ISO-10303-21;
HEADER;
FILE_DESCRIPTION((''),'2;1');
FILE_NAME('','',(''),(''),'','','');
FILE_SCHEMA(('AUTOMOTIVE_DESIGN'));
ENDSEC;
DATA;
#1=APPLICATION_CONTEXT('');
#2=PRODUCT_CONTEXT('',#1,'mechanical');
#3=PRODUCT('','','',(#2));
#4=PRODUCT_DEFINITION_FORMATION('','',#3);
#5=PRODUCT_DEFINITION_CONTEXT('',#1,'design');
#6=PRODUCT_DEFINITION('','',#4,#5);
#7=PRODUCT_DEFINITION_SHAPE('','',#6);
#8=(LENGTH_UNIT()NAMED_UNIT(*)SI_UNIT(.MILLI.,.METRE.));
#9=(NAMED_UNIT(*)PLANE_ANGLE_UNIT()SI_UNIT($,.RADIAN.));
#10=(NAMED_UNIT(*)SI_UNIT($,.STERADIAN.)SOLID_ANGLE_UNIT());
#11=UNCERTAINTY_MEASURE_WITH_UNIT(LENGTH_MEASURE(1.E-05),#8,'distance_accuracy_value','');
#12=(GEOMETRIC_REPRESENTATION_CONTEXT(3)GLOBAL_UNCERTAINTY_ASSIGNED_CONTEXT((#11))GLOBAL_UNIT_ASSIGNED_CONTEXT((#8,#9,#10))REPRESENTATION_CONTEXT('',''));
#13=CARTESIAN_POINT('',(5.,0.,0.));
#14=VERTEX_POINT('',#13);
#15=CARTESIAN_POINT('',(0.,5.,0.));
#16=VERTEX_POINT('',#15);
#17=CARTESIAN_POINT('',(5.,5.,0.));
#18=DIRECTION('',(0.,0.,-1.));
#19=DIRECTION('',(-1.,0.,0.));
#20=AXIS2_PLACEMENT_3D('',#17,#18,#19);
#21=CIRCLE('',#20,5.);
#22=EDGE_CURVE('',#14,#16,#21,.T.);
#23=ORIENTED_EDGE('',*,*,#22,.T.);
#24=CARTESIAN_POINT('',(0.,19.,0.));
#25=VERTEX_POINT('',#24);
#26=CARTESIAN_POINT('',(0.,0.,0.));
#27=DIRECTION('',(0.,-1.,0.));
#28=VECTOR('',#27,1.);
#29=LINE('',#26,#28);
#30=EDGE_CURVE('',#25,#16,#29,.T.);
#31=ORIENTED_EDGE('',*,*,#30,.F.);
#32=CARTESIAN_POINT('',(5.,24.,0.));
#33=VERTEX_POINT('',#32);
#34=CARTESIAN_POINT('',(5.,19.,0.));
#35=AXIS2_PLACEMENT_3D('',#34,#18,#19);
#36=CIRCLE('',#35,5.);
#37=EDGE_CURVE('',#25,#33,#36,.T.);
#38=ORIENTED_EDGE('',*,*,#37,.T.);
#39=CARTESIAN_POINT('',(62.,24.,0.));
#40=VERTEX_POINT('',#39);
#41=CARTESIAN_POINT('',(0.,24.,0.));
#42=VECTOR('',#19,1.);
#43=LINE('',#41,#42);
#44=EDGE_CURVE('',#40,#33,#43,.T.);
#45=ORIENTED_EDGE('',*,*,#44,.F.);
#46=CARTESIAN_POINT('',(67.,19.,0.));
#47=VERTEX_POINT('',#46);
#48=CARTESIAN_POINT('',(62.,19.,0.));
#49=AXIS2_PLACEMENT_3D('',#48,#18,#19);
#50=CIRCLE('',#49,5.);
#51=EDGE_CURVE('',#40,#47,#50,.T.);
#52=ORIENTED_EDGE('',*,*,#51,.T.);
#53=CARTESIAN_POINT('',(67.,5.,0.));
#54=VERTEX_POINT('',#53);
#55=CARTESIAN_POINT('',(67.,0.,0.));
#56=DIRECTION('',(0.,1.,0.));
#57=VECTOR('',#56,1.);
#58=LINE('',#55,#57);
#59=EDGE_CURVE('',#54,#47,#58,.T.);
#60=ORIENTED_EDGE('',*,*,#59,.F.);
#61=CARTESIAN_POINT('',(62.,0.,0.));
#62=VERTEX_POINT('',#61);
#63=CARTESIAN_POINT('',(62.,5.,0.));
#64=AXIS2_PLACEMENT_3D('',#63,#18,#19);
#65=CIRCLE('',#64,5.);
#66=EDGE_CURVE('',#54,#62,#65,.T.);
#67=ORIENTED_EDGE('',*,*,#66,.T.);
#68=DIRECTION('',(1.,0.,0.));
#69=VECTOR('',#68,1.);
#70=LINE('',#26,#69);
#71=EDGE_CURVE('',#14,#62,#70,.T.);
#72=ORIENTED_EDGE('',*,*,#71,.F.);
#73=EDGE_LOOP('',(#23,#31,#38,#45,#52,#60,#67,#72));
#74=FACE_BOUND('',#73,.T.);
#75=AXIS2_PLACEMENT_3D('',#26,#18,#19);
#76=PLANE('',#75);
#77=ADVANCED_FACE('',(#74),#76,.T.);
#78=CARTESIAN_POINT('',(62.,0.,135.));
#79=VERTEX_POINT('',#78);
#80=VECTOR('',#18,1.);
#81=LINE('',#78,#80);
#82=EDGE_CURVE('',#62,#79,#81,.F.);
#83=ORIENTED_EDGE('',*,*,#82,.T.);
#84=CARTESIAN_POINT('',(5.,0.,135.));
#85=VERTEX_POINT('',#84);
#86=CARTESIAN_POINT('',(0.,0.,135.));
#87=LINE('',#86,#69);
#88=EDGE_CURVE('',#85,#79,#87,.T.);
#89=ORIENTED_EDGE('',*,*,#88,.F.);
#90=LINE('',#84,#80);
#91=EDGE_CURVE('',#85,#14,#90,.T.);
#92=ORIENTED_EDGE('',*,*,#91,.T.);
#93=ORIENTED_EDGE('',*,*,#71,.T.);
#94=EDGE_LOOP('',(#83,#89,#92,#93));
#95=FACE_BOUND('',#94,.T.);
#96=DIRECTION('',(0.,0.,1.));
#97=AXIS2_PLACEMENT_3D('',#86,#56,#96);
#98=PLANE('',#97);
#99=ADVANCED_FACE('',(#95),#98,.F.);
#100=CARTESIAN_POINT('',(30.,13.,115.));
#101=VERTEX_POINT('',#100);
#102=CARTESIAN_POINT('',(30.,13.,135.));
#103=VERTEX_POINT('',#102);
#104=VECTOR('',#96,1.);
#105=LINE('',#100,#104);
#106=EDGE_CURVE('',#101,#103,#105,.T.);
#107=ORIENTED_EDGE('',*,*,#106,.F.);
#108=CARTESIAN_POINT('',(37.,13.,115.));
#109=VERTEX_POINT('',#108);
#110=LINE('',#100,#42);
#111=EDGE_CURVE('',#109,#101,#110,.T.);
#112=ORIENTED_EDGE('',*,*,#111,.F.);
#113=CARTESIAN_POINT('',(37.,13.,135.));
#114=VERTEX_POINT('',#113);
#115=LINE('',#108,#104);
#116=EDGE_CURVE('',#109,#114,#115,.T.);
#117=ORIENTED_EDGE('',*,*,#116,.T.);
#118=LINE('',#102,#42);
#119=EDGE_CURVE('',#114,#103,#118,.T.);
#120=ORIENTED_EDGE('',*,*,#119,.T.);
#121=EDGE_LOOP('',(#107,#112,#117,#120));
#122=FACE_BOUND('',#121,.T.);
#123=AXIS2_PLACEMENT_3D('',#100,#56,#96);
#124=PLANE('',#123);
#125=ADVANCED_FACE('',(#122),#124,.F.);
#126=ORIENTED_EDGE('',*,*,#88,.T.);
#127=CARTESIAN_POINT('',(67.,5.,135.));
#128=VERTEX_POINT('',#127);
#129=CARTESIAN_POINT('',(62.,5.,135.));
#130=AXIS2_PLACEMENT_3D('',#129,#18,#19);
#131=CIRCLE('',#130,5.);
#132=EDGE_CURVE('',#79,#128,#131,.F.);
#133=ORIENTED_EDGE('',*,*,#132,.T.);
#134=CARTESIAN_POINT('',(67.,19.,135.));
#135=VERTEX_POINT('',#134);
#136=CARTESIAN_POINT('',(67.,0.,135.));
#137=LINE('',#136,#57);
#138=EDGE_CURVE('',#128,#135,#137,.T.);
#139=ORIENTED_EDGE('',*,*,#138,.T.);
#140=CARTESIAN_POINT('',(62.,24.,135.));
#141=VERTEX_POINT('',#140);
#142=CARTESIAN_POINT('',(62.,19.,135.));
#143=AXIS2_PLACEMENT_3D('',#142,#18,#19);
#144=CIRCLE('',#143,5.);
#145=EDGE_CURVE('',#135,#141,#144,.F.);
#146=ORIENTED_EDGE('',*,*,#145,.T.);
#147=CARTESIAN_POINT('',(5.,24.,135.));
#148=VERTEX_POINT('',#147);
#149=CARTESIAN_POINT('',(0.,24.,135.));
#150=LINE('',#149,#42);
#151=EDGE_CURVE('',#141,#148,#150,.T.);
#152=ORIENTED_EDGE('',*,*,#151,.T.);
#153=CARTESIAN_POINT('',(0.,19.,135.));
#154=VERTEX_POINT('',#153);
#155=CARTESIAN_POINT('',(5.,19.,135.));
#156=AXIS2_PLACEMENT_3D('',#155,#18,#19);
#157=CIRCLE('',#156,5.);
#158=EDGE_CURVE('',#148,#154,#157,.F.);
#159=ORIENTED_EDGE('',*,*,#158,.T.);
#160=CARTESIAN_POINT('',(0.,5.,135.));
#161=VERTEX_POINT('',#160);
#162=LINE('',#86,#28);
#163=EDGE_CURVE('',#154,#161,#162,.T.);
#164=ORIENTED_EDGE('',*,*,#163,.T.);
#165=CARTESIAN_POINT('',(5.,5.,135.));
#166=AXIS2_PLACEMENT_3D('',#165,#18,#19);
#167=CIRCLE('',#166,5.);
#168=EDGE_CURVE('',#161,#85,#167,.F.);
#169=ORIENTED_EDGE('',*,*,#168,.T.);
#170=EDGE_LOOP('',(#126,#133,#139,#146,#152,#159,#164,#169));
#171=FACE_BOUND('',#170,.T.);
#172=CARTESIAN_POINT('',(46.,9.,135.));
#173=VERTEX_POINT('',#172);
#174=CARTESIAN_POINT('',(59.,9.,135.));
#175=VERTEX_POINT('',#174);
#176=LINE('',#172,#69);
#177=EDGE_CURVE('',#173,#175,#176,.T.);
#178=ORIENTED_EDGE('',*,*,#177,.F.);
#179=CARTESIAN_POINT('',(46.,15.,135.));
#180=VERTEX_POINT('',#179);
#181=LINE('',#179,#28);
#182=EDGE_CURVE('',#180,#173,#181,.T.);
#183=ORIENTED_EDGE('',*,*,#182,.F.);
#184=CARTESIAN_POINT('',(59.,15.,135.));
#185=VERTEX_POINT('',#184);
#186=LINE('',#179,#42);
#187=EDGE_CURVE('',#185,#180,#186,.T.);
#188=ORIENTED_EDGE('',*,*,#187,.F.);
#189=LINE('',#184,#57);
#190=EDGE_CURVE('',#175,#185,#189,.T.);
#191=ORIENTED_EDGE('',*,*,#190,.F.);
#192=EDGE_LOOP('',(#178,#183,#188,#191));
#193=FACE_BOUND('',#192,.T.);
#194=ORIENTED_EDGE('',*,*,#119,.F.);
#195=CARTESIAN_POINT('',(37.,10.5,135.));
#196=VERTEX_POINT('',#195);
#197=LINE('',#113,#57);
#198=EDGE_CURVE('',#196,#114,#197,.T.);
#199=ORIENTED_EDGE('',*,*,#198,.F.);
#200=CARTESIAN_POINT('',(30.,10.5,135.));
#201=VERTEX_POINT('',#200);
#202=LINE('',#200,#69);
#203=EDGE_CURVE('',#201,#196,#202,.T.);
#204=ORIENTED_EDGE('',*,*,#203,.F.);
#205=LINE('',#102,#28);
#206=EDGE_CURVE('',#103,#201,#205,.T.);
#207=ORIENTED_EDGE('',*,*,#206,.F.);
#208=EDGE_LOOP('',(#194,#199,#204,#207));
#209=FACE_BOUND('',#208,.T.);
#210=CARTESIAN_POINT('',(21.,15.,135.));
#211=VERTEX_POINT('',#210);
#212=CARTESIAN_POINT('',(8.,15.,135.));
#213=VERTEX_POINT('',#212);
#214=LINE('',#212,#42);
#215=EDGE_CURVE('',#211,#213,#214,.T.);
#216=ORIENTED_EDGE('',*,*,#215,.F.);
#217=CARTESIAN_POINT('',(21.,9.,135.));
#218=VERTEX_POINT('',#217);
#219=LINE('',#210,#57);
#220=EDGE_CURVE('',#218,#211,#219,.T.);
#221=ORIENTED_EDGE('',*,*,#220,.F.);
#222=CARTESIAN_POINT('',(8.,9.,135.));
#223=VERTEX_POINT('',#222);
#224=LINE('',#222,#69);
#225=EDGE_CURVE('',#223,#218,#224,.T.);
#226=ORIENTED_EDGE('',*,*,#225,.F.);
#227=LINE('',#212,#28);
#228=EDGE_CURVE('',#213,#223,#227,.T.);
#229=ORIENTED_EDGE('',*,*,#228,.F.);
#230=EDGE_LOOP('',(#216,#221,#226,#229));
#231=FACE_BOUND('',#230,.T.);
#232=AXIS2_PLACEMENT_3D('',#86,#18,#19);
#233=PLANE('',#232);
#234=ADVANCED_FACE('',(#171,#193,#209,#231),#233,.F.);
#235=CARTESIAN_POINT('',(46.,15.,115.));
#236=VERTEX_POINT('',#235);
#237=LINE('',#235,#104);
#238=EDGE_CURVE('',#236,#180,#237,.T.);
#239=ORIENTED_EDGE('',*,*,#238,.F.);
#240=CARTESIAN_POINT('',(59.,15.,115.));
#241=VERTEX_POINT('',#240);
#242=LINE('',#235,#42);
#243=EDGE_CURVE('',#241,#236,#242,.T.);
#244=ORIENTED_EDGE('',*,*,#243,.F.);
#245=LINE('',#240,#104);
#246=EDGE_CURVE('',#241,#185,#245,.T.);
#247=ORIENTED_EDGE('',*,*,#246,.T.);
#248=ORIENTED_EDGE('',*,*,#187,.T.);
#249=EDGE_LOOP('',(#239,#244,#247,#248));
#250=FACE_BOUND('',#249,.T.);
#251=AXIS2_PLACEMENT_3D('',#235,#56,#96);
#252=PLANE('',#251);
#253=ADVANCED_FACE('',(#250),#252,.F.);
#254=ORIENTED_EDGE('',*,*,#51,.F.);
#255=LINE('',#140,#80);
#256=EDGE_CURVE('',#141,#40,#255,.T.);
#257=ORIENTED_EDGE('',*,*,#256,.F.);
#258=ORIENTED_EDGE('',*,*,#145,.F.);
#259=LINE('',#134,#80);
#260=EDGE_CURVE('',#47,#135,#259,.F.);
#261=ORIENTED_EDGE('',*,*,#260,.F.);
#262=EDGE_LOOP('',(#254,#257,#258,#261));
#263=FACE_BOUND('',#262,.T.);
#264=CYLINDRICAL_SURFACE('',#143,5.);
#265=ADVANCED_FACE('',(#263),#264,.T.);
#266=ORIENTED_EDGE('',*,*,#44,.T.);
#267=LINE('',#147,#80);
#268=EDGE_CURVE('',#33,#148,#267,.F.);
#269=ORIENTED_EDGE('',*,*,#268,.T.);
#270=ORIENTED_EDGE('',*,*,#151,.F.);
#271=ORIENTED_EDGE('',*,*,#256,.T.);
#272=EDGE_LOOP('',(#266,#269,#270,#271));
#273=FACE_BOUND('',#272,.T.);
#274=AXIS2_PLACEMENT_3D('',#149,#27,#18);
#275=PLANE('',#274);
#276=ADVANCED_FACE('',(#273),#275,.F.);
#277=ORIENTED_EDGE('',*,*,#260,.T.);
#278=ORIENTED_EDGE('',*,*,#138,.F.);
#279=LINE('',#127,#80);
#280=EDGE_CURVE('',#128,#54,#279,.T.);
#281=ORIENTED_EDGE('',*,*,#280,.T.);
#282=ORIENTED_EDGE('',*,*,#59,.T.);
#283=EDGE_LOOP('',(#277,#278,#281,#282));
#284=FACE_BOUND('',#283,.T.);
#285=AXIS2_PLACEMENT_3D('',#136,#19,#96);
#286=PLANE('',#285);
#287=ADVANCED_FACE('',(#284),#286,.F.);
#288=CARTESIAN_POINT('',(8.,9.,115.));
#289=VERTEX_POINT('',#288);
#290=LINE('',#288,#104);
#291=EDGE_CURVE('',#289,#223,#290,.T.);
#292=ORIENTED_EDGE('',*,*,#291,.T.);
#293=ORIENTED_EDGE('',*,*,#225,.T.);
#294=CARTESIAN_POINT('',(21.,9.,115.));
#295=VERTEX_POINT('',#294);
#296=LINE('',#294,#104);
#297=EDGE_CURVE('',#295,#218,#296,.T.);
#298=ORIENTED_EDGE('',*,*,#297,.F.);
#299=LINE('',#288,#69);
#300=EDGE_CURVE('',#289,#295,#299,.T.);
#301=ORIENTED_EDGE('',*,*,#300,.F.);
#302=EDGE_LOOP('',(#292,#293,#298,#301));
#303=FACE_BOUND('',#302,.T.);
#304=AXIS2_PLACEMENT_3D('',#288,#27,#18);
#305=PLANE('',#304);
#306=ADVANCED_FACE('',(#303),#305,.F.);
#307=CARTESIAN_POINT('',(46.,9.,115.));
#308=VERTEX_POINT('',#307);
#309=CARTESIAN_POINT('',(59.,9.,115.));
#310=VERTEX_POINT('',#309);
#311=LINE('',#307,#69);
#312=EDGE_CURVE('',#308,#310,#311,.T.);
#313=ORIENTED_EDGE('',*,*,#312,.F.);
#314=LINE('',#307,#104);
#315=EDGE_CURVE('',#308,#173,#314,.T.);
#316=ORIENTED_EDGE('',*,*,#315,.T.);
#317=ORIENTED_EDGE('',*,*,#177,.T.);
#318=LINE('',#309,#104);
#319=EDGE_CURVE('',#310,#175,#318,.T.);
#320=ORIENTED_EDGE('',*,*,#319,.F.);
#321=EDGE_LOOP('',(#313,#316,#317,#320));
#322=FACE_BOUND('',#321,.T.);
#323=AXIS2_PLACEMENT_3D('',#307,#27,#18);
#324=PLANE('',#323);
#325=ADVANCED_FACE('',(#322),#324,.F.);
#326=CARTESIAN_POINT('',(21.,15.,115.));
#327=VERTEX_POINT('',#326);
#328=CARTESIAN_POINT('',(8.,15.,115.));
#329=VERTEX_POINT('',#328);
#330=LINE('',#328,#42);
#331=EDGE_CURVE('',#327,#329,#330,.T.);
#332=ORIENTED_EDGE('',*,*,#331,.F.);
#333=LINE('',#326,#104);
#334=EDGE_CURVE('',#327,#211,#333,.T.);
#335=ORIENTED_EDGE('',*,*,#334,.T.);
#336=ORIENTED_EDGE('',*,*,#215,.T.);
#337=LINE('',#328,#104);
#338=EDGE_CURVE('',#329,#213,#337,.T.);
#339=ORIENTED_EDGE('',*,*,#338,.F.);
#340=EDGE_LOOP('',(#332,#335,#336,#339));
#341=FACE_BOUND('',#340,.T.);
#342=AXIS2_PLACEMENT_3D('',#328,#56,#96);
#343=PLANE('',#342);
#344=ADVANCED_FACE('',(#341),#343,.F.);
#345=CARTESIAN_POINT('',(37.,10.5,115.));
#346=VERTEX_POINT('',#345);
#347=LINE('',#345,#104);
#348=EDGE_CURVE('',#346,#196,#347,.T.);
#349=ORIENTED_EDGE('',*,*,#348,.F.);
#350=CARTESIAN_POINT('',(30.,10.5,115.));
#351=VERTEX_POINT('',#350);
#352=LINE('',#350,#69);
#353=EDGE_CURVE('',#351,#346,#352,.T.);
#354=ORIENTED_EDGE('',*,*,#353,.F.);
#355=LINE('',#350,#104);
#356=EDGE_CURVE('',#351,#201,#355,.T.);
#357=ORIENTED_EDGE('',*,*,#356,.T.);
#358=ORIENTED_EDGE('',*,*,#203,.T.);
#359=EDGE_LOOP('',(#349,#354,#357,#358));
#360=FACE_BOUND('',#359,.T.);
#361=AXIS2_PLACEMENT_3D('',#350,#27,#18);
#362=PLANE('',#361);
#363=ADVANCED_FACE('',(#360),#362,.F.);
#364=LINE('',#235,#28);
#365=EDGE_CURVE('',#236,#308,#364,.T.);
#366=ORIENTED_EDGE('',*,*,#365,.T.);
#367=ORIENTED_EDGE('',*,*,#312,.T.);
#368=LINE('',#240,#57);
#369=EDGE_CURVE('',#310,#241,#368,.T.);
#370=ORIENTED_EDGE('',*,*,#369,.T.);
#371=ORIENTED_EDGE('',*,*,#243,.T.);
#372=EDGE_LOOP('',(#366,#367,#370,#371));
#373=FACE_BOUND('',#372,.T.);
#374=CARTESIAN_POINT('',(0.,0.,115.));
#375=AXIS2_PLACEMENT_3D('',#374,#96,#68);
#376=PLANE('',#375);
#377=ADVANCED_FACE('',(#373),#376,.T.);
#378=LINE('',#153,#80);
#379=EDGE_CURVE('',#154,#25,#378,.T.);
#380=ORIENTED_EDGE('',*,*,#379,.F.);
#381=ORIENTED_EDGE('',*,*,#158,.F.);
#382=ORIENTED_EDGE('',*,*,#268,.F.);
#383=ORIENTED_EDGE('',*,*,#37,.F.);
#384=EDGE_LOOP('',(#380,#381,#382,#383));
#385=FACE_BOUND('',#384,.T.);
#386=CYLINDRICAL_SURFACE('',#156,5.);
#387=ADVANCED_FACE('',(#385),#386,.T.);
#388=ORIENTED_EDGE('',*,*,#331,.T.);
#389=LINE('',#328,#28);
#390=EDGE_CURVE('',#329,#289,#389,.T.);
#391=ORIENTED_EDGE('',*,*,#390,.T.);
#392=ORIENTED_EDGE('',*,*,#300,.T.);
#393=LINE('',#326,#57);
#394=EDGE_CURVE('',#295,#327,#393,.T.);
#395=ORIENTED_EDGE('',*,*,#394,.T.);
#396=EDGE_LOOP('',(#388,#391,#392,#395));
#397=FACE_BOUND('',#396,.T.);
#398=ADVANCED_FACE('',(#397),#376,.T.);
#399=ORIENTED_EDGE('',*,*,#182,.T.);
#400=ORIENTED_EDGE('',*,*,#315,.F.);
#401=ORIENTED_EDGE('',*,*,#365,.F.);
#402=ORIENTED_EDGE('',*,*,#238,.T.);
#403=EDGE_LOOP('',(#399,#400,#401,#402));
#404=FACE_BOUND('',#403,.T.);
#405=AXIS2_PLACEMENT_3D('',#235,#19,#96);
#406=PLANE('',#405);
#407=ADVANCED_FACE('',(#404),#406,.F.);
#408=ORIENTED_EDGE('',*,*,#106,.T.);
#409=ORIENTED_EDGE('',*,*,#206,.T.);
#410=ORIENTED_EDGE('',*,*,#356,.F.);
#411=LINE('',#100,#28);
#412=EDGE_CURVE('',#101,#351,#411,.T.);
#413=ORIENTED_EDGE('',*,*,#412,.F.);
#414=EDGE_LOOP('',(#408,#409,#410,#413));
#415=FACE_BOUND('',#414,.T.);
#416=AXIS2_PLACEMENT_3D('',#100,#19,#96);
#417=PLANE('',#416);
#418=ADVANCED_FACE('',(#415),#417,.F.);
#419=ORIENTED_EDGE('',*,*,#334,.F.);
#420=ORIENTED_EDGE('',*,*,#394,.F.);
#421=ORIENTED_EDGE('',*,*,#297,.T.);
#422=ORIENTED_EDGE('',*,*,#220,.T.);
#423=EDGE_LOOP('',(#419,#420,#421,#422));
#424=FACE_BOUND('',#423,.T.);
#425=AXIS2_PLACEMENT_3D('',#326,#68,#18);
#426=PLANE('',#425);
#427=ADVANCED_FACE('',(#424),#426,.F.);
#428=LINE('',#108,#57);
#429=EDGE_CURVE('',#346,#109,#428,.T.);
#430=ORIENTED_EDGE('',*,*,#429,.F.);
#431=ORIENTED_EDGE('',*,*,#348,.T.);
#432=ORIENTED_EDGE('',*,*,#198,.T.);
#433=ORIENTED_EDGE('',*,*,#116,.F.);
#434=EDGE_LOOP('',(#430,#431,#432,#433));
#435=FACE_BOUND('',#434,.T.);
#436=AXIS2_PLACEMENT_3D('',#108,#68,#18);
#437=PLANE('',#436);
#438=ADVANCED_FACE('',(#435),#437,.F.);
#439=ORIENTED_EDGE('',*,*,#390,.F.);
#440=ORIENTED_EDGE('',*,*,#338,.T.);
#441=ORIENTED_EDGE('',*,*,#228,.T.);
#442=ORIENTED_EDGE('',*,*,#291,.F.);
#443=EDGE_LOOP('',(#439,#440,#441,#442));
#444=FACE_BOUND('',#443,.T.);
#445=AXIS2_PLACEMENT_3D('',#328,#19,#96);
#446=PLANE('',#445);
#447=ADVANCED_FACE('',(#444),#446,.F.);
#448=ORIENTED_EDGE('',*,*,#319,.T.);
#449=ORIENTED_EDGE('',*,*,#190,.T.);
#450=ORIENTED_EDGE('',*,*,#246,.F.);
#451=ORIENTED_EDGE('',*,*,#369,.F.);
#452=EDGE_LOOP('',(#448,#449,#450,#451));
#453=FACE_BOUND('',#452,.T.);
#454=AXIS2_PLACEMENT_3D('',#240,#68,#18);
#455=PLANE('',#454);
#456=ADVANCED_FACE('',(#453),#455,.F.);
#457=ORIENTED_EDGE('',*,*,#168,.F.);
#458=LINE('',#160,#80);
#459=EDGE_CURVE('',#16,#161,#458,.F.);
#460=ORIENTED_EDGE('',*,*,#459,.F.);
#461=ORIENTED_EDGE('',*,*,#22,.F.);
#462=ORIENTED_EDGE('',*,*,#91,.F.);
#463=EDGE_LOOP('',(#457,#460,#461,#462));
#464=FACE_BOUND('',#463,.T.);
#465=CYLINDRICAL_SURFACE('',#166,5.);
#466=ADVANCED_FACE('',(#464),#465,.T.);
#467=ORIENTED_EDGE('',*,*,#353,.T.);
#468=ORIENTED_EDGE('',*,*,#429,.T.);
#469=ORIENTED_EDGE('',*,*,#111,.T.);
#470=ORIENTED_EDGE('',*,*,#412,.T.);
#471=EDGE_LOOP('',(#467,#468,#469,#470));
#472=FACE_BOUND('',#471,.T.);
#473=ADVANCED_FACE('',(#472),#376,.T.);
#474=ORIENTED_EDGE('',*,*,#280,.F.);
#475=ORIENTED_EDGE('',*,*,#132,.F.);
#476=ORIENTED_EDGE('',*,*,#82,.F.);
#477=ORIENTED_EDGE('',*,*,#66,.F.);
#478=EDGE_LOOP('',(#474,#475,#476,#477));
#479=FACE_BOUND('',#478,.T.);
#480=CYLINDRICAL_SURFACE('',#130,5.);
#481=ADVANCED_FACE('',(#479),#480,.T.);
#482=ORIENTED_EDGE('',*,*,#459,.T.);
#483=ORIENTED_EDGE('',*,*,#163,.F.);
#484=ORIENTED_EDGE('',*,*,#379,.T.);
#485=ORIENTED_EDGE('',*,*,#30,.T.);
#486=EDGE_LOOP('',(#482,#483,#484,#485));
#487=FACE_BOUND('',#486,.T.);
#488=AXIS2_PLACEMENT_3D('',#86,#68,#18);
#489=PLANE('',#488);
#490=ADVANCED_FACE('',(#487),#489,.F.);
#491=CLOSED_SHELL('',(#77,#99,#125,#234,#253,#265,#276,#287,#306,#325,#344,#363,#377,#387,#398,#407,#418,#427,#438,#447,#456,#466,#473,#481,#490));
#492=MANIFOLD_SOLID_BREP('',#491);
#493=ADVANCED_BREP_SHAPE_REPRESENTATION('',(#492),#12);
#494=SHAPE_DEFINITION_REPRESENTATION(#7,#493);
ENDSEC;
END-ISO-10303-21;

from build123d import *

# Parameters (mm, degrees)
ESQUISSE1_W             = 67
ESQUISSE1_H             = 24
BOSS_EXTRU_1_DEPTH      = 135
CONG_1_R                = 5
ESQUISSE2_W             = 13
ESQUISSE2_H             = 6
ESQUISSE2_W_2           = 7
ESQUISSE2_H_2           = 2.5
ENL_V_MAT_EXTRU_1_DEPTH = 20


with BuildPart() as part:
    # Esquisse1 → Boss.-Extru.1 (new body)
    with BuildSketch(Plane.XY):
        with Locations((33.5, 12)):
            Rectangle(ESQUISSE1_W, ESQUISSE1_H)
    extrude(amount=BOSS_EXTRU_1_DEPTH)

    # Congé1
    cong_1_edges = [part.edges().sort_by_distance(p)[0] for p in [
        (0, 24, 67.5),
        (67, 24, 67.5),
        (67, 0, 67.5),
        (0, 0, 67.5),
    ]]
    fillet(cong_1_edges, radius=CONG_1_R)

    # Esquisse2 → Enlèv. mat.-Extru.1 (cut)
    with BuildSketch(Plane.XY.offset(135)):
        with Locations((14.5, 12)):
            Rectangle(ESQUISSE2_W, ESQUISSE2_H)
        with Locations((52.5, 12)):
            Rectangle(ESQUISSE2_W, ESQUISSE2_H)
        with Locations((33.5, 11.75)):
            Rectangle(ESQUISSE2_W_2, ESQUISSE2_H_2)
    extrude(amount=-ENL_V_MAT_EXTRU_1_DEPTH, mode=Mode.SUBTRACT)


solid = part.part
